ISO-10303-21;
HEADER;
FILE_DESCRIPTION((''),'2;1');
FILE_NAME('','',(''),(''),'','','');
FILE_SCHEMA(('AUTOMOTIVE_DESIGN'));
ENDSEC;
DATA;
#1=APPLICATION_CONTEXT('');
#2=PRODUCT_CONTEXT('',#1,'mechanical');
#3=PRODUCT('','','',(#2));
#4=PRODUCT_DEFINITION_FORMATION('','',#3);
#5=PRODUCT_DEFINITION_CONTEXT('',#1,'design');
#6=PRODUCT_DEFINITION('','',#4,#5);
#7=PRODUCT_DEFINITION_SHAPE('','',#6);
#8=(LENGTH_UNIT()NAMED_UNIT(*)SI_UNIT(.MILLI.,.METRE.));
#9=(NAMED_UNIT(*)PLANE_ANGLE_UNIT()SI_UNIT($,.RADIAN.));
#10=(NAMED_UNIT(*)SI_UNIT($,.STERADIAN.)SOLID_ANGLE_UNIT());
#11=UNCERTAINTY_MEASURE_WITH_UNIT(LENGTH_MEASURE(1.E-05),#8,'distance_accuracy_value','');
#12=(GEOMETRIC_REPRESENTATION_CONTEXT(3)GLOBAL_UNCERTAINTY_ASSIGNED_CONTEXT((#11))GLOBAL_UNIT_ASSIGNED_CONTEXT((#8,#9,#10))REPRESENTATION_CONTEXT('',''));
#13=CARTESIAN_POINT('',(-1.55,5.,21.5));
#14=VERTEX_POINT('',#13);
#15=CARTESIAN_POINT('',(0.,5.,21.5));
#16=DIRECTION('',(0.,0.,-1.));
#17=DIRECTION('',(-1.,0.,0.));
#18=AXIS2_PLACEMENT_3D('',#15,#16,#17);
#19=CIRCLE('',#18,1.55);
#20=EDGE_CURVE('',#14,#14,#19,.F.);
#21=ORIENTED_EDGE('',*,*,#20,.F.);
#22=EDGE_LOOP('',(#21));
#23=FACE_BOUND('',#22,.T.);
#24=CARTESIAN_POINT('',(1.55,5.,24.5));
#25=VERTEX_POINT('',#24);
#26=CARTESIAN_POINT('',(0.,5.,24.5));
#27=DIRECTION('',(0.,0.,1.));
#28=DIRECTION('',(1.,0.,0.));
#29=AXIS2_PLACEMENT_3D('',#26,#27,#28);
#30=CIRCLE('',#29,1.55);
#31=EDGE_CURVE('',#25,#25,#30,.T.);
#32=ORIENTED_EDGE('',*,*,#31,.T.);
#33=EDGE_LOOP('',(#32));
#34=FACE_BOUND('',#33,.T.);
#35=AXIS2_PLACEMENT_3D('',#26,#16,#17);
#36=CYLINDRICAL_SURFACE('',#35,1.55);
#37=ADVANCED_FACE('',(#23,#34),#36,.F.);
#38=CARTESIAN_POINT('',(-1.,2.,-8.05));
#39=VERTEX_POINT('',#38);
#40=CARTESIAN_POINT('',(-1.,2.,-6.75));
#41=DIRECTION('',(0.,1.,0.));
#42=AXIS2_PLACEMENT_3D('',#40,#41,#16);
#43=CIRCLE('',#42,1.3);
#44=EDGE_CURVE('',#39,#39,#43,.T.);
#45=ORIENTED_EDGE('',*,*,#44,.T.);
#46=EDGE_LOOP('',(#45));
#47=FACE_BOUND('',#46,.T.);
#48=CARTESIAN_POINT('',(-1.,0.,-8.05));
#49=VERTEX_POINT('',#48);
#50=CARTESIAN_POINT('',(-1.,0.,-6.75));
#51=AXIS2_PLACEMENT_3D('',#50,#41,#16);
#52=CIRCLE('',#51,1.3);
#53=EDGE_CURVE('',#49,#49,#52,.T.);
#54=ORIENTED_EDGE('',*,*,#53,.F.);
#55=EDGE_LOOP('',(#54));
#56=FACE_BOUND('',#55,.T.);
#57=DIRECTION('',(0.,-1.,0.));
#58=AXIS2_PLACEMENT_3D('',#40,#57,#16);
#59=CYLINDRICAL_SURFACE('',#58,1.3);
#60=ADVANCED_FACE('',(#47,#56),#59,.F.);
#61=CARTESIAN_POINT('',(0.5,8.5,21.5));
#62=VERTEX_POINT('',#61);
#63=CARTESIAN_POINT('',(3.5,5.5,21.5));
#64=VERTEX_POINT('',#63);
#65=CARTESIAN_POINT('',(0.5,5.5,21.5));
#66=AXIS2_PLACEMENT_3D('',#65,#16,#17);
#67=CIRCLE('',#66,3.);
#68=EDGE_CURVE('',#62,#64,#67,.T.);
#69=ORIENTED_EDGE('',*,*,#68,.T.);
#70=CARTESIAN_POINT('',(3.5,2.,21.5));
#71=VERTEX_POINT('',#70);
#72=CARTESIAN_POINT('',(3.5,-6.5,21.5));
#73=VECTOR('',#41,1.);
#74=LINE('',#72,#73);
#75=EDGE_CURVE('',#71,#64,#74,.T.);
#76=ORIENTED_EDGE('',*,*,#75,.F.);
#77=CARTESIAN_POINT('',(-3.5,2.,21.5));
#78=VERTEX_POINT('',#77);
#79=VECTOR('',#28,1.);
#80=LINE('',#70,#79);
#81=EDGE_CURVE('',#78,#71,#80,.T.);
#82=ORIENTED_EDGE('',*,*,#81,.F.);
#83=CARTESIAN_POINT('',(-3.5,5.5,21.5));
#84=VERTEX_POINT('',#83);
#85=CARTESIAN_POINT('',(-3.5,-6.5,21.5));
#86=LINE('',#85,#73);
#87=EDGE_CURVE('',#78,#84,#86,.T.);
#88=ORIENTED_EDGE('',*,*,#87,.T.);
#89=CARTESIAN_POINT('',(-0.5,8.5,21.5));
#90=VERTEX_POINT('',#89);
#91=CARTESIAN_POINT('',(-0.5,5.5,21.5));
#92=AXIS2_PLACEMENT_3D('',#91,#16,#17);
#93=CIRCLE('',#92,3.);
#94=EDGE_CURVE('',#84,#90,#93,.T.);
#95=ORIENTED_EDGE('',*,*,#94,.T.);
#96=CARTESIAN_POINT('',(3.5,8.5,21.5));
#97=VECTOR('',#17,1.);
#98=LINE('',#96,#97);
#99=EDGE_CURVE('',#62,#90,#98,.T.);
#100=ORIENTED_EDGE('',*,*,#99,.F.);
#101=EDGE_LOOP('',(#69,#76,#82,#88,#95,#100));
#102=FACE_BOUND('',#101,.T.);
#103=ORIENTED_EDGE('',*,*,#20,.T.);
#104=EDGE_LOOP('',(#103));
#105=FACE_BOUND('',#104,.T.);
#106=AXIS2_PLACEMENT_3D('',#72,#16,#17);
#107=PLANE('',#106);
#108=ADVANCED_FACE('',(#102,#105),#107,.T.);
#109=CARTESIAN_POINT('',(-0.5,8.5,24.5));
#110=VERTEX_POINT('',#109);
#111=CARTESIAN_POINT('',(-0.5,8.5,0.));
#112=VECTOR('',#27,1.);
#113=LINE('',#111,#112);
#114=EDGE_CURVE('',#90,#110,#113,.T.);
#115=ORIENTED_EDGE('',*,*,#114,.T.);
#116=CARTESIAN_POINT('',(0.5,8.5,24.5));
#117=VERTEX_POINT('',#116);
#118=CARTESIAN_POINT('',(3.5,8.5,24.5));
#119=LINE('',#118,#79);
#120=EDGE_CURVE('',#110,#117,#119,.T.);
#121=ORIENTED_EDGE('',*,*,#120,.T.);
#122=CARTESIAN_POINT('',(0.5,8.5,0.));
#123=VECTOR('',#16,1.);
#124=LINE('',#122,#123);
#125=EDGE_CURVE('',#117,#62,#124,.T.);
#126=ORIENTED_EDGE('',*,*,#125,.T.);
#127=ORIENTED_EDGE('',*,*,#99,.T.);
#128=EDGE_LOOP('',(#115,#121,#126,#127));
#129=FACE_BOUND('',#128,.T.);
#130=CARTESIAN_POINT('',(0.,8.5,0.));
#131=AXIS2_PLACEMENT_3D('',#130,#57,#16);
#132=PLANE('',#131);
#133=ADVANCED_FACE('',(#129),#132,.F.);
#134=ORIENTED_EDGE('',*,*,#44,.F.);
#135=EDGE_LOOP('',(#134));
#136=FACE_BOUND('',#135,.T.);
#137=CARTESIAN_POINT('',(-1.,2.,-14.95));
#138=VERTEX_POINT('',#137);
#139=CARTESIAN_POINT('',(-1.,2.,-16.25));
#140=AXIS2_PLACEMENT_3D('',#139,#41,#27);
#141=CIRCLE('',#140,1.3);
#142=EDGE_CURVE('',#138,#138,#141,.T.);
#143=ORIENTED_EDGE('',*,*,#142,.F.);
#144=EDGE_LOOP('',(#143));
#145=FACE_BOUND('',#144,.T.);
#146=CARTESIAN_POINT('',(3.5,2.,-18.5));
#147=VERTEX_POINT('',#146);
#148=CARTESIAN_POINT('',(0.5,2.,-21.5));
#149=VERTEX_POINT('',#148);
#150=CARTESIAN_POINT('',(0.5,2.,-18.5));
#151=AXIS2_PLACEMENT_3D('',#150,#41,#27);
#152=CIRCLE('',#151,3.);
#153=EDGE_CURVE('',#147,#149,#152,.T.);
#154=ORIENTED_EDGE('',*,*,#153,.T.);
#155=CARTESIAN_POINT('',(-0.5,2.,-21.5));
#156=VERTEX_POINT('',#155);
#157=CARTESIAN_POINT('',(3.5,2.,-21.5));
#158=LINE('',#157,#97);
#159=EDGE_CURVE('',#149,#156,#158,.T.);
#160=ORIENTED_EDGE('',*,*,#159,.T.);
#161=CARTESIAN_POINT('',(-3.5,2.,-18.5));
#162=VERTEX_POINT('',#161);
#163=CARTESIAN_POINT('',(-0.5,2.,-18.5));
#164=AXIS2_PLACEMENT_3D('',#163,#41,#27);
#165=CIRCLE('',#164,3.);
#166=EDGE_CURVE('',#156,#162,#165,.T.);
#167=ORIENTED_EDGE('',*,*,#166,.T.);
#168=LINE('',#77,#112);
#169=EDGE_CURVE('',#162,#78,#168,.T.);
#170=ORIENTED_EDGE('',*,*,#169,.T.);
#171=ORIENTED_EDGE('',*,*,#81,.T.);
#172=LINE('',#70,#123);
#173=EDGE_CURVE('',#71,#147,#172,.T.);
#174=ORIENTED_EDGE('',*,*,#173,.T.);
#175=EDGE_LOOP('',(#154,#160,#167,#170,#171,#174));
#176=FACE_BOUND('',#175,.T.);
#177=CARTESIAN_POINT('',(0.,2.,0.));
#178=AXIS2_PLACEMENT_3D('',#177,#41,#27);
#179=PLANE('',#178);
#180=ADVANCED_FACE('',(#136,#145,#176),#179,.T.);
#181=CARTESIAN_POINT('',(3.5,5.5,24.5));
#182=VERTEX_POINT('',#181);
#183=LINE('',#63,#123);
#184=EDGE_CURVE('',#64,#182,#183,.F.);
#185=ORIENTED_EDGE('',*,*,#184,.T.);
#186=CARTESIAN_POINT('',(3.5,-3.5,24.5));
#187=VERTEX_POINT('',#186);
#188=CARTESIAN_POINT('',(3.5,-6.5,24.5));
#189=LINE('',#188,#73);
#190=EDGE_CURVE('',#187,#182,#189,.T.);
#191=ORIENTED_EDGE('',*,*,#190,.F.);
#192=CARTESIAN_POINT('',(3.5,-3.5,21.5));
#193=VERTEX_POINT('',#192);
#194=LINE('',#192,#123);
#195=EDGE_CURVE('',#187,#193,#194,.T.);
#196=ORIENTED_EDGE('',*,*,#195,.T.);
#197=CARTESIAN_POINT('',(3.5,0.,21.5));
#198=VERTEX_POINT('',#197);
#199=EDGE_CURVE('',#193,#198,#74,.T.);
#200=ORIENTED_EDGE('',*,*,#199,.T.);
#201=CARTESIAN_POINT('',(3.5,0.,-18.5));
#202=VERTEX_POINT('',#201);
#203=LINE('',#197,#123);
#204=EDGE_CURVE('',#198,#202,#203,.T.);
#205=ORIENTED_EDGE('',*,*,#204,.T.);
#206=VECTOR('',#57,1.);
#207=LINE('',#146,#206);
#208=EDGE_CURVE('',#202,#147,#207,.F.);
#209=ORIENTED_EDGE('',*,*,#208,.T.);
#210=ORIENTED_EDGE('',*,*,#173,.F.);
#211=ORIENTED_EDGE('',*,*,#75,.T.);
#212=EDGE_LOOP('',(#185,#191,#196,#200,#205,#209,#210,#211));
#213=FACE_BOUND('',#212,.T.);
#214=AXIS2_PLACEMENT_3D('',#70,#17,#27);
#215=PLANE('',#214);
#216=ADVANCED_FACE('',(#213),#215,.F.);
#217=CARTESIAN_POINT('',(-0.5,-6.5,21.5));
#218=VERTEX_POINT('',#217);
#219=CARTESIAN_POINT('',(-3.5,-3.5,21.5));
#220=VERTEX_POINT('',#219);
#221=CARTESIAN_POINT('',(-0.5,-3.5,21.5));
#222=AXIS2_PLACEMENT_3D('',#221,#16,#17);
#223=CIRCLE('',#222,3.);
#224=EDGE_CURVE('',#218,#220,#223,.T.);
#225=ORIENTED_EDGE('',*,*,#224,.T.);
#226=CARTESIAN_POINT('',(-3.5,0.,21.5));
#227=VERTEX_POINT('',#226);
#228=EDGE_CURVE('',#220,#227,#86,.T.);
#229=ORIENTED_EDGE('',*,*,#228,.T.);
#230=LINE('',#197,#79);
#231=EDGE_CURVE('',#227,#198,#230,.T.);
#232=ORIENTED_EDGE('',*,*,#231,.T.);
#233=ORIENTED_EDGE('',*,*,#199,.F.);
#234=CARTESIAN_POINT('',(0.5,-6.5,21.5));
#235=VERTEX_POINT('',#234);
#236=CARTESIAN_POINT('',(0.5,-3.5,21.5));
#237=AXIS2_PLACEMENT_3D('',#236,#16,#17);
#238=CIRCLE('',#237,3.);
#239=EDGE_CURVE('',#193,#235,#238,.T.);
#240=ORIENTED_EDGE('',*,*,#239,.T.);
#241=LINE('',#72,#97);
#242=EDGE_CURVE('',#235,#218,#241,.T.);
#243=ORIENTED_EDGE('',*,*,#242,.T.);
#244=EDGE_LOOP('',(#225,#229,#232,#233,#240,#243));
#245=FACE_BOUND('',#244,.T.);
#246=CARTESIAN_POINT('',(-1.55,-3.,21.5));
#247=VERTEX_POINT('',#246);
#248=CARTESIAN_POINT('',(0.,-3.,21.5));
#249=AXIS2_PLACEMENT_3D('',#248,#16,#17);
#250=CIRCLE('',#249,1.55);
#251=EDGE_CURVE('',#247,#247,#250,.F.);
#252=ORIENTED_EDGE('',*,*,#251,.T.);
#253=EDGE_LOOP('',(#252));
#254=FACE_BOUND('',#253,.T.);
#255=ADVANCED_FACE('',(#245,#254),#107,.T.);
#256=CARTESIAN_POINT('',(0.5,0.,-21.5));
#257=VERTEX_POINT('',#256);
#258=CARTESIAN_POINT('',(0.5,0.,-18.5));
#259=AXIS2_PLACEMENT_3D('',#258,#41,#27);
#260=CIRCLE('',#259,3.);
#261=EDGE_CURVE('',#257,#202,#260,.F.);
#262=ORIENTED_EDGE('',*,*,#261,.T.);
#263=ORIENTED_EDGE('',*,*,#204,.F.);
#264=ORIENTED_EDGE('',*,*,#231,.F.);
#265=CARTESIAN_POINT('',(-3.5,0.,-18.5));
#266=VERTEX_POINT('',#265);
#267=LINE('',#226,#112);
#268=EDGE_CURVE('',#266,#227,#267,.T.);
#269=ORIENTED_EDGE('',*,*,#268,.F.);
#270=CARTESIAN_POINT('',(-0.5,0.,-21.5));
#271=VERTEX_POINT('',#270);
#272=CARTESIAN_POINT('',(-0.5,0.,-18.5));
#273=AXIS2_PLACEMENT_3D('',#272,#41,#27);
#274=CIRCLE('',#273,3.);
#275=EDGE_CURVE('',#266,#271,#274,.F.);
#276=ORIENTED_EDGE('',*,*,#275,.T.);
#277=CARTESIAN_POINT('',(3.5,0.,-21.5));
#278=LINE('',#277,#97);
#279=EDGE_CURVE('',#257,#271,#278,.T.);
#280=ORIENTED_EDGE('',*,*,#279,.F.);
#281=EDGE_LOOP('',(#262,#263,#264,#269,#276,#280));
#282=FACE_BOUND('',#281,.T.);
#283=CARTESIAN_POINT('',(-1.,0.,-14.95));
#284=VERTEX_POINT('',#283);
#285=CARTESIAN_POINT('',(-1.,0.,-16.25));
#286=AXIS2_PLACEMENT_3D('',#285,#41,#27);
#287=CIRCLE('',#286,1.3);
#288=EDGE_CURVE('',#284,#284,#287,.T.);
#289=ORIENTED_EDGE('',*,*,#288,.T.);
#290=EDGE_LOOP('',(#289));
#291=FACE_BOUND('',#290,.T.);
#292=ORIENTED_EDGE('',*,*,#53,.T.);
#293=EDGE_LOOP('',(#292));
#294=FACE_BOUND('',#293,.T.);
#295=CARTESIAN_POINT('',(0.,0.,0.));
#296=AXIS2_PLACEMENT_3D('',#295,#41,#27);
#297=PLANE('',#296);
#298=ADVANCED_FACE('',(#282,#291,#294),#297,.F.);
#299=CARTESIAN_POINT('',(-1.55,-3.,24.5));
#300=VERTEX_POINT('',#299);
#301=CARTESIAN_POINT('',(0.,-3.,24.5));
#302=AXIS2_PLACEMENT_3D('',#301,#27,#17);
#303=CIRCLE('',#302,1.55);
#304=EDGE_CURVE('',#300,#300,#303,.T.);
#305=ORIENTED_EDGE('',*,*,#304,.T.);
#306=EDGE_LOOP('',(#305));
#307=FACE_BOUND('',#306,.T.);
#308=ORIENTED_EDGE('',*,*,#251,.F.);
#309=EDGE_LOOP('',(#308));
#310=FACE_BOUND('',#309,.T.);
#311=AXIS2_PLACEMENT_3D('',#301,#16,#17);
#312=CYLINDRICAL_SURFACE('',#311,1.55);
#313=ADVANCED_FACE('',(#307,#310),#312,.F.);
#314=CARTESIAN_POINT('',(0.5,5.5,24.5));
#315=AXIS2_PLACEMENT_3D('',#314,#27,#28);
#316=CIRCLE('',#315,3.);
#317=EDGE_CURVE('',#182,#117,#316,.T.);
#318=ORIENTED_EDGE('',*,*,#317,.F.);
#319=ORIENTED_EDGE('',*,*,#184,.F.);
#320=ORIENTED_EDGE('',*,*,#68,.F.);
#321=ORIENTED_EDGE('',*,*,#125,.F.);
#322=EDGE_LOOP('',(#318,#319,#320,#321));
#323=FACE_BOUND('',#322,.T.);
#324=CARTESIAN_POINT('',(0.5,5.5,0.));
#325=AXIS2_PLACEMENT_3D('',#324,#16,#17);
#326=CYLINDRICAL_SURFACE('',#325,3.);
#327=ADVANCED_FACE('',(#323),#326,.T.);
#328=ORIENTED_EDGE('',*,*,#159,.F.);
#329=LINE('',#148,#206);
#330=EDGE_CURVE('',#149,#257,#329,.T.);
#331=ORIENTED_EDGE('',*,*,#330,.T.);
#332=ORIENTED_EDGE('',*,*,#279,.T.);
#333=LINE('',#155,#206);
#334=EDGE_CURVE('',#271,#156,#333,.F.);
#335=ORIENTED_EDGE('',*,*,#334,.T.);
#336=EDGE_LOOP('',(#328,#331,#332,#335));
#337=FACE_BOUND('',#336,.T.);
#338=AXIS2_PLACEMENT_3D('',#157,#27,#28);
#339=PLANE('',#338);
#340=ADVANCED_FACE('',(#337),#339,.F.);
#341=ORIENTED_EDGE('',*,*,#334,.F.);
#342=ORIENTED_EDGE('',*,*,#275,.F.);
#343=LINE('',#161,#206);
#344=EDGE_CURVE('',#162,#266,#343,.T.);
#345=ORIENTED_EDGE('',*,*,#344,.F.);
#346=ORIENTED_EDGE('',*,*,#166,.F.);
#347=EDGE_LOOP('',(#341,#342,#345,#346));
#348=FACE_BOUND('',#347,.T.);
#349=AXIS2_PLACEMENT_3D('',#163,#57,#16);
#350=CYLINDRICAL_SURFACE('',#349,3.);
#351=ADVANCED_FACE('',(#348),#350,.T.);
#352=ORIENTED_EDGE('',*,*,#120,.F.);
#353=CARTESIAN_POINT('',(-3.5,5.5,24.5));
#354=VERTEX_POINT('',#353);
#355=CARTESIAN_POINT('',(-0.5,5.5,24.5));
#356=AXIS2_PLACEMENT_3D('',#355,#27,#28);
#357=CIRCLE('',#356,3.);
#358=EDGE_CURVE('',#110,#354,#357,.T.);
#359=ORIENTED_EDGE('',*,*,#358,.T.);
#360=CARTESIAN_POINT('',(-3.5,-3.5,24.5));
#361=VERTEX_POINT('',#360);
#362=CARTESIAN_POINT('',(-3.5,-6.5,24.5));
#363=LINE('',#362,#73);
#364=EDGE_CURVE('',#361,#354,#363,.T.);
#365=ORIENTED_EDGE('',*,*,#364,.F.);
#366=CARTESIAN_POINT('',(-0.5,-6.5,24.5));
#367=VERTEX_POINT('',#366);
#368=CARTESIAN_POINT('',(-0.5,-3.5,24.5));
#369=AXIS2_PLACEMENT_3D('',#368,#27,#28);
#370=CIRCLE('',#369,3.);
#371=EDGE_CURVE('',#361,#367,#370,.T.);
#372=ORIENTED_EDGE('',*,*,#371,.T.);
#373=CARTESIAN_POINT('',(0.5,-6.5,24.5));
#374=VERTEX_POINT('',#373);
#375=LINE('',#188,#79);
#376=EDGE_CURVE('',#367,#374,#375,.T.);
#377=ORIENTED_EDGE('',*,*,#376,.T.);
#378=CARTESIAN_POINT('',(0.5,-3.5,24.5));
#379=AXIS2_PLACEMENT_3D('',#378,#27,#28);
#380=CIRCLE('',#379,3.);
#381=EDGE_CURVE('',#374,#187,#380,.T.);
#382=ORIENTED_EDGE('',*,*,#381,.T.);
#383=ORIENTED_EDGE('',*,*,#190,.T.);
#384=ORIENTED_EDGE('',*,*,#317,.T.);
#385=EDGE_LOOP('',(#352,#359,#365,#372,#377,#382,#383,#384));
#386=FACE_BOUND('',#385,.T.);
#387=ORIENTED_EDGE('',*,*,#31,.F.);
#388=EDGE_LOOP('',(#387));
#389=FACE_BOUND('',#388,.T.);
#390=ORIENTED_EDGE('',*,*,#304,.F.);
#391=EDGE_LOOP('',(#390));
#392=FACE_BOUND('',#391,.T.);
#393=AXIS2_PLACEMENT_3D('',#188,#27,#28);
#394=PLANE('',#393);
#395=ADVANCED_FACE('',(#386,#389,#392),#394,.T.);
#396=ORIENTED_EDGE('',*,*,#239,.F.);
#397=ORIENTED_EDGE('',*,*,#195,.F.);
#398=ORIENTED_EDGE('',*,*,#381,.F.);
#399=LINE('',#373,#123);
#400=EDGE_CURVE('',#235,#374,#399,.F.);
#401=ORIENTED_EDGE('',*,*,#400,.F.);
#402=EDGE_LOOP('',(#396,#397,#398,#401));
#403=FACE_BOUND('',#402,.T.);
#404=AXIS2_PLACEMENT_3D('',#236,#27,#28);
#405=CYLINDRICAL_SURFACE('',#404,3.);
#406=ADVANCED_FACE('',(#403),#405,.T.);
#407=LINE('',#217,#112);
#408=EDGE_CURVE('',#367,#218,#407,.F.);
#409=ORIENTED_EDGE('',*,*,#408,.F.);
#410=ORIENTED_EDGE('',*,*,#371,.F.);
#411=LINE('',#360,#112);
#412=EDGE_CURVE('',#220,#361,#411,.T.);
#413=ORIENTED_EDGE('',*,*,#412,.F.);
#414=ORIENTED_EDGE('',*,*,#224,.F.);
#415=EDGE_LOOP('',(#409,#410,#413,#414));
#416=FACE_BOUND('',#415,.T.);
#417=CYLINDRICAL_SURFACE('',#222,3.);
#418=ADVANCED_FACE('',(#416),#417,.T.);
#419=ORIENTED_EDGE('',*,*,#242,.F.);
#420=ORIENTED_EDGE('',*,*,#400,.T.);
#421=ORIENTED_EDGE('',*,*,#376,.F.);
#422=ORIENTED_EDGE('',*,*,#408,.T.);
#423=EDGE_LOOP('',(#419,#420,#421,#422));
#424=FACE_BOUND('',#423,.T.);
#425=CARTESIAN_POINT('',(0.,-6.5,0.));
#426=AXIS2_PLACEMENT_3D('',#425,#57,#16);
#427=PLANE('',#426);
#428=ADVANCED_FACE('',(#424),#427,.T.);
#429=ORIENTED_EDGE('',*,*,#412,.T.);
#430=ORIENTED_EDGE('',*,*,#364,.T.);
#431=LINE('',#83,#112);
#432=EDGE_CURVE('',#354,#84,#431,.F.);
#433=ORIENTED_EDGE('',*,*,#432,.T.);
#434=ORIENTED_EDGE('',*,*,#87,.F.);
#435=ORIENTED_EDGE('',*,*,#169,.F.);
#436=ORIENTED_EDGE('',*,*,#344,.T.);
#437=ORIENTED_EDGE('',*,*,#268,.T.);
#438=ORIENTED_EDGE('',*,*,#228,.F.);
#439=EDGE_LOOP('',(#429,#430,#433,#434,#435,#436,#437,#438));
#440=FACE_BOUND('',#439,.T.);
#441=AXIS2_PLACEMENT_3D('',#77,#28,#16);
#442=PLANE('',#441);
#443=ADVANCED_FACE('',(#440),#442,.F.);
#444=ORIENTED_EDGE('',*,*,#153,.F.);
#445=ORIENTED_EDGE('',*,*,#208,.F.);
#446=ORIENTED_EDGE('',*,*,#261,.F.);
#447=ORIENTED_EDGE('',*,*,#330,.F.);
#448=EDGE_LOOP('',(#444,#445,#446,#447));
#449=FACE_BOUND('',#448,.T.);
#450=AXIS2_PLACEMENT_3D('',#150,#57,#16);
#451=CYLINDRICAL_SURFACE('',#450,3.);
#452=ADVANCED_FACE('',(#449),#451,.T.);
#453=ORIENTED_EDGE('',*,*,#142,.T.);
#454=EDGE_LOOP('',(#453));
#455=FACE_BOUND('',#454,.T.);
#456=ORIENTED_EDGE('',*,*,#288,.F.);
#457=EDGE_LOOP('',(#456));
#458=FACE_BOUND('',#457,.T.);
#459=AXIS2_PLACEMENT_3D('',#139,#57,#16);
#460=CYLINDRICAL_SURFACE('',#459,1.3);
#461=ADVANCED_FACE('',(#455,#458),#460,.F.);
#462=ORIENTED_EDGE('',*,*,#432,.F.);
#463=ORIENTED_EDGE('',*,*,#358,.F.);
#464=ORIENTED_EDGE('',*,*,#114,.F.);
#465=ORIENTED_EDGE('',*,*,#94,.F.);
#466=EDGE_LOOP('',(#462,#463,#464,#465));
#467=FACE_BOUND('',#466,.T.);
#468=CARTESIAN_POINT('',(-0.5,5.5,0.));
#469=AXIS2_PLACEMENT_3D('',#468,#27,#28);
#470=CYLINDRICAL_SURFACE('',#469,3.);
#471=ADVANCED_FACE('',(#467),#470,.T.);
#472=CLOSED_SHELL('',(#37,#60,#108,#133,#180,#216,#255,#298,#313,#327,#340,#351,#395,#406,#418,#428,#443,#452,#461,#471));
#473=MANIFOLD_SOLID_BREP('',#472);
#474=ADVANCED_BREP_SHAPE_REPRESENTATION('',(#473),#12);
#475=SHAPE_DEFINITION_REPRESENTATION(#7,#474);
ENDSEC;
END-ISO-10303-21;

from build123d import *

# Parameters (mm, degrees)
SKETCH_1_W           = 7
SKETCH_1_H           = 43
SKETCH_1_R           = 1.3
EXTRUDE_1_DEPTH      = 2
EXTRUDE_2_DEPTH      = 8.5
EXTRUDE_2_DEPTH_BACK = 6.5
SKETCH_2_W           = 7
SKETCH_2_H           = 3
SKETCH_3_R           = 1.55
CUT_EXTRUDE_1_DEPTH  = 27.167728216
FILLET_1_R           = 3
FILLET_2_R           = 3


with BuildPart() as part:
    # 草图1 → 凸台-拉伸1 (new body)
    with BuildSketch(Plane(origin=(0, 0, 0), x_dir=(1, 0, 0), z_dir=(0, 1, 0))):
        Rectangle(SKETCH_1_W, SKETCH_1_H)
        with Locations(Location((-1, 16.25, 0), (0, 0, 270))):
            Circle(SKETCH_1_R, mode=Mode.SUBTRACT)
        with Locations(Location((-1, 6.75, 0), (0, 0, 90))):
            Circle(SKETCH_1_R, mode=Mode.SUBTRACT)
    extrude(amount=EXTRUDE_1_DEPTH)

    # 草图2 → 凸台-拉伸2 (add, two sides: drawn at the far end of the back side and taken through both)
    with BuildSketch(Plane(origin=(0, 0, 0), x_dir=(1, 0, 0), z_dir=(0, 1, 0)).offset(-EXTRUDE_2_DEPTH_BACK)):
        with Locations((0, -23)):
            Rectangle(SKETCH_2_W, SKETCH_2_H)
    extrude(amount=EXTRUDE_2_DEPTH + EXTRUDE_2_DEPTH_BACK)

    # 草图3 → 切除-拉伸1 (cut, through all)
    with BuildSketch(Plane.XY):
        with Locations(Location((0, 5, 0), (0, 0, 180))):
            Circle(SKETCH_3_R)
        with Locations(Location((0, -3, 0), (0, 0, 180))):
            Circle(SKETCH_3_R)
    extrude(amount=CUT_EXTRUDE_1_DEPTH, mode=Mode.SUBTRACT)

    # 圆角1
    fillet_1_edges = [part.edges().sort_by_distance(p)[0] for p in [
        (-3.5, 1, -21.5),
        (3.5, 1, -21.5),
    ]]
    fillet(fillet_1_edges, radius=FILLET_1_R)

    # 圆角2
    fillet_2_edges = [part.edges().sort_by_distance(p)[0] for p in [
        (3.5, -6.5, 23),
        (-3.5, -6.5, 23),
        (3.5, 8.5, 23),
        (-3.5, 8.5, 23),
    ]]
    fillet(fillet_2_edges, radius=FILLET_2_R)


solid = part.part
